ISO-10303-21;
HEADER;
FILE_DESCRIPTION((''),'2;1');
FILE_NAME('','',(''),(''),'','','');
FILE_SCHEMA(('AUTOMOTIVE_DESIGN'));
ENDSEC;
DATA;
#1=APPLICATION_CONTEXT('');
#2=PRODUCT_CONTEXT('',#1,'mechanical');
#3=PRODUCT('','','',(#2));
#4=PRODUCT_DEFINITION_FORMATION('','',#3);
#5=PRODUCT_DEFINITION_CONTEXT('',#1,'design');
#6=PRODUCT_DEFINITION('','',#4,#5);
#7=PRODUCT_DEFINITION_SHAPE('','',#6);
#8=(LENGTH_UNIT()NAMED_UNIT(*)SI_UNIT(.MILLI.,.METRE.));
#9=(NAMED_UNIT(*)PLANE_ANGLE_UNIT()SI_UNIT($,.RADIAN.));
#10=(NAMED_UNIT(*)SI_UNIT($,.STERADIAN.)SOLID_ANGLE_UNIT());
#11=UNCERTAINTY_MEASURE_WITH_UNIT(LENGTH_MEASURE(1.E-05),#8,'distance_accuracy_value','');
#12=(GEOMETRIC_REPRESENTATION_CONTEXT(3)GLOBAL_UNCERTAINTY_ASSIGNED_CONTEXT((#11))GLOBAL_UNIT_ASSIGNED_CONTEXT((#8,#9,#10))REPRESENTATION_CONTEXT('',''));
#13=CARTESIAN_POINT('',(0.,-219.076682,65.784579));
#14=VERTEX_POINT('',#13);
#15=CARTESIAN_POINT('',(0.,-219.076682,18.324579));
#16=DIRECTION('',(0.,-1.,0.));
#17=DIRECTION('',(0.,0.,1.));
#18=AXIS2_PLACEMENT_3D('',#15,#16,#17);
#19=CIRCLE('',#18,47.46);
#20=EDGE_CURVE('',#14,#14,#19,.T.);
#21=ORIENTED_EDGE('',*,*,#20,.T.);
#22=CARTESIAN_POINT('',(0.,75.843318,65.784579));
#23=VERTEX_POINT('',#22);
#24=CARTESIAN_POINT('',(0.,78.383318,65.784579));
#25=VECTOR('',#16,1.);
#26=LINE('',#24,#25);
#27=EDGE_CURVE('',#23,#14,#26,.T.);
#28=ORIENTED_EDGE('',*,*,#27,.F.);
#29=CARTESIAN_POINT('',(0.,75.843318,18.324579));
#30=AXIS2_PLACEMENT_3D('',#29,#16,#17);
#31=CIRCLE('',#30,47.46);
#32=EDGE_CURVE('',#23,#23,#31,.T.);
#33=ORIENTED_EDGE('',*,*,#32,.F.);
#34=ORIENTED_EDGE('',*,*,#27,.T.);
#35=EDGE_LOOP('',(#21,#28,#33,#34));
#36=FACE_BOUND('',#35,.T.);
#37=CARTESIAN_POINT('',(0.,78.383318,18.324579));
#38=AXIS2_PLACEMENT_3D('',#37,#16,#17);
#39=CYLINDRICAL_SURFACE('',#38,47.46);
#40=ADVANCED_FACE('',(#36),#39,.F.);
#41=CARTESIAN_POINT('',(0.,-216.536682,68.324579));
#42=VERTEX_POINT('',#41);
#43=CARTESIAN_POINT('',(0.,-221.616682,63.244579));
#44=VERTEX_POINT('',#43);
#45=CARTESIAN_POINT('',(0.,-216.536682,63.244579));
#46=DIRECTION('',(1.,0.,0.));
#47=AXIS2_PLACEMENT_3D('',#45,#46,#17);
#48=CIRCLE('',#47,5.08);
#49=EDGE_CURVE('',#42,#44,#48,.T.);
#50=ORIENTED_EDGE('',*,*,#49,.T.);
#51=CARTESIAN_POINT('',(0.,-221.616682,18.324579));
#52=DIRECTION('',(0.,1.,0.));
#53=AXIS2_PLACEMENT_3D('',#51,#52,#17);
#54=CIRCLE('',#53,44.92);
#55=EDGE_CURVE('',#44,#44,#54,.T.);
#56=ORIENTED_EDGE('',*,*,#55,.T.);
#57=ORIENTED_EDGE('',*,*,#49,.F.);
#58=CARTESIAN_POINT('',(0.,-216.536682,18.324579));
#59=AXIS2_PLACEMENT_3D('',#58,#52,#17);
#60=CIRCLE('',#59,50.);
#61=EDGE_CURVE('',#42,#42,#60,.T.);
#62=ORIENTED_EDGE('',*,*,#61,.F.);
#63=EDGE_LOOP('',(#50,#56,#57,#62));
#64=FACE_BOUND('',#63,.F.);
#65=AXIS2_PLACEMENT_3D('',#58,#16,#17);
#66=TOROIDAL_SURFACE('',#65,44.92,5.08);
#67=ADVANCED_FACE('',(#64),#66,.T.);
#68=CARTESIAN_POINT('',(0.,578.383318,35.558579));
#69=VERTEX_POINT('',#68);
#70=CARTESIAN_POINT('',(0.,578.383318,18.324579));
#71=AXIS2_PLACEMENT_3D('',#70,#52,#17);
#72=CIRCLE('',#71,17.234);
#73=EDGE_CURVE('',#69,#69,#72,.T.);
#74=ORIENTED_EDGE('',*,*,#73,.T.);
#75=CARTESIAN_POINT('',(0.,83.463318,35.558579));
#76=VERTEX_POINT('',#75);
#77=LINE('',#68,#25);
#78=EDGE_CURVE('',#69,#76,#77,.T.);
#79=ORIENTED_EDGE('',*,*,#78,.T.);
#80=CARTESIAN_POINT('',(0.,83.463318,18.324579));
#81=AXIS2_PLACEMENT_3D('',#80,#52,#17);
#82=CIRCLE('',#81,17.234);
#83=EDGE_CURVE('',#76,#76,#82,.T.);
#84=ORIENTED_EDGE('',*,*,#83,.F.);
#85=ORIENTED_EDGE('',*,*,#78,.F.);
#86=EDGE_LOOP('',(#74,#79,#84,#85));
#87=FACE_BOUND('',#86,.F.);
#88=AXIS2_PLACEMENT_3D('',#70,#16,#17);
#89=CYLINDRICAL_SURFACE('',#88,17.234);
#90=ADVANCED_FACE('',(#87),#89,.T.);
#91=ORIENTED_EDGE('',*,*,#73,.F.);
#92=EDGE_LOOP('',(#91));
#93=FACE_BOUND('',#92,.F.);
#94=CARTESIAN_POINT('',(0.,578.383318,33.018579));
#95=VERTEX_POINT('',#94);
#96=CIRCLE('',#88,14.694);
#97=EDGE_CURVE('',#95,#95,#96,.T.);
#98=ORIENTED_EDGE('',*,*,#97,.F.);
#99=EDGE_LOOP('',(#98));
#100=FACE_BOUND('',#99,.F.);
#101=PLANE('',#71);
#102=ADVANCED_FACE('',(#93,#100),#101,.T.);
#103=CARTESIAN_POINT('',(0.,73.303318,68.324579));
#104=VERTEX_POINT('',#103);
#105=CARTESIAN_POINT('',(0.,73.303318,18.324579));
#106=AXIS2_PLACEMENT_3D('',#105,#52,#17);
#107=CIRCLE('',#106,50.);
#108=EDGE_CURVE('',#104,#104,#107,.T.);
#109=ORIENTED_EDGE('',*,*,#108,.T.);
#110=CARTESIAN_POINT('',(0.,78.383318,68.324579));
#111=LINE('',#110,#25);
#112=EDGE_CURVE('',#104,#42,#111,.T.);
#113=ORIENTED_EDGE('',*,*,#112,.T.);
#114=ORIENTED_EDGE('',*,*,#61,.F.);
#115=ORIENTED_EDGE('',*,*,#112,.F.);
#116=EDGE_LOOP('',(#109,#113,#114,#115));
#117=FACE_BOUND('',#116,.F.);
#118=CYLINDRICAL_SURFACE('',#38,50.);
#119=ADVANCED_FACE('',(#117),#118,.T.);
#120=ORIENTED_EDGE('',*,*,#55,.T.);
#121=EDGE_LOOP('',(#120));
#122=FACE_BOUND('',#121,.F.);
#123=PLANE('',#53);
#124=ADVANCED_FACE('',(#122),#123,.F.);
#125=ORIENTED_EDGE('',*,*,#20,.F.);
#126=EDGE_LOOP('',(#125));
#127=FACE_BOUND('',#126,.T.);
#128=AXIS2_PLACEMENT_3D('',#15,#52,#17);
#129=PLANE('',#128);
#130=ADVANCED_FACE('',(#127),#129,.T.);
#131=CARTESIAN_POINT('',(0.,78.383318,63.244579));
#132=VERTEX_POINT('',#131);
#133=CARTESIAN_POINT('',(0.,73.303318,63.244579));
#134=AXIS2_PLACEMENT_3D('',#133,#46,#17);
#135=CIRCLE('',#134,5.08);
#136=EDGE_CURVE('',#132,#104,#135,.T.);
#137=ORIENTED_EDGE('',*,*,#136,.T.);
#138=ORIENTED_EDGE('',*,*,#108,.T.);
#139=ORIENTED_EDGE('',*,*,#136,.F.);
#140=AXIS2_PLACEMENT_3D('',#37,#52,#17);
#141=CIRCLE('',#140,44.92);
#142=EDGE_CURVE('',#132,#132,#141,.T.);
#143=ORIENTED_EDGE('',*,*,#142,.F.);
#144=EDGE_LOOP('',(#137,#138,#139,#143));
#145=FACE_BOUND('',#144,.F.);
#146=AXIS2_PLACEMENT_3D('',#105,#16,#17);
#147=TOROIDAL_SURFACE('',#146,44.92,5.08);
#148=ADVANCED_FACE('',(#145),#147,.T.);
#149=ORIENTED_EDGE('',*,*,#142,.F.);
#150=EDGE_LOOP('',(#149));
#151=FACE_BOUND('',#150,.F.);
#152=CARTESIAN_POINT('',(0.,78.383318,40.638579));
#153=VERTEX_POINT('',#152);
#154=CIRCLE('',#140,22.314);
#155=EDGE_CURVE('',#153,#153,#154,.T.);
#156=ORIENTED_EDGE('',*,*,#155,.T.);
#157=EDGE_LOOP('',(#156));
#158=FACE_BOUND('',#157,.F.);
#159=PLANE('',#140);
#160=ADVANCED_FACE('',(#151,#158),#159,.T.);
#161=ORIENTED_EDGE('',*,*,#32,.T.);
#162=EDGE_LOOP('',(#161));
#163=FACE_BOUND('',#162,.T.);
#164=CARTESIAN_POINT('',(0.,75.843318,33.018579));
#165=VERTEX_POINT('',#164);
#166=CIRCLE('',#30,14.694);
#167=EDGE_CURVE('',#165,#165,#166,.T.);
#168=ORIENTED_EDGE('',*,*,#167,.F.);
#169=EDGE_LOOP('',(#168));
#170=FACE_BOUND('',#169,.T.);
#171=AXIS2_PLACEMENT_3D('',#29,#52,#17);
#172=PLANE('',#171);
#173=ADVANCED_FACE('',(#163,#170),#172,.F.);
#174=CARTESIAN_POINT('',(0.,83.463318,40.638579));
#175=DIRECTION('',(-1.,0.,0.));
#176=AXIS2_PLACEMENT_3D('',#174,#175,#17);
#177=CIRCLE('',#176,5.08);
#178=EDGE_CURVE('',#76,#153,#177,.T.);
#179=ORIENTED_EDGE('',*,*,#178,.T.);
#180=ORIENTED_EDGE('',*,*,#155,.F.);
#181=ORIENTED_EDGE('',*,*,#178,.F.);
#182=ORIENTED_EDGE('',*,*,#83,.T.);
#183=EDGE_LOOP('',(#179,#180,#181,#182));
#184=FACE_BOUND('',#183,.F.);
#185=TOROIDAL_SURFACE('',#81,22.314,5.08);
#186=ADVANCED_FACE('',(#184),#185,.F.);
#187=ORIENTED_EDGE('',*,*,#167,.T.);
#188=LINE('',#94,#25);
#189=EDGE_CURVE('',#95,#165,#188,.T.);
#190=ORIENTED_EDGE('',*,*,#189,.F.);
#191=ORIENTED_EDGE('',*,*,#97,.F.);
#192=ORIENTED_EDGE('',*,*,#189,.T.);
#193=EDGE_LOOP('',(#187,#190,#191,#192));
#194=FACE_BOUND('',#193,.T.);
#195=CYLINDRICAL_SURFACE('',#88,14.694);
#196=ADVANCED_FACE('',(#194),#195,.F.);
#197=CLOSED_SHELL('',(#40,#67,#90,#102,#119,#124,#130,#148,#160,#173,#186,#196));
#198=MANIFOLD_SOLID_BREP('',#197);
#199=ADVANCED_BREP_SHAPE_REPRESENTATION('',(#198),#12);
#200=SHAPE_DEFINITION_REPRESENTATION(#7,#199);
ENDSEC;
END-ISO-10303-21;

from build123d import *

# Parameters (mm, degrees)
F2_T = -2.54
F3_R = 5.08


with BuildPart() as f1:
    # F0 (on Right) → F1 (revolve)
    with BuildSketch(Plane.YZ):
        Polygon((78.3833178774, 68.3245788985), (-221.6166821226, 68.3245788985), (-221.6166821226, 18.3245788985), (578.3833178774, 18.3245788985), (578.3833178774, 35.5585788985), (78.3833178774, 35.5585788985), align=None)
    revolve(axis=Axis((0, 178.3833178774, 18.3245788985), (0, 1, 0)))

    # F2
    f2_openings = [f1.faces().sort_by_distance(p)[0] for p in [
        (0, 578.383318, 18.324579),
    ]]
    offset(amount=F2_T, openings=f2_openings, kind=Kind.INTERSECTION)

    # F3
    f3_edges = [f1.edges().sort_by_distance(p)[0] for p in [
        (0, 78.383318, -31.675421),
        (0, 78.383318, 1.090579),
        (0, -221.616682, -31.675421),
    ]]
    fillet(f3_edges, radius=F3_R)


solid = f1.part
